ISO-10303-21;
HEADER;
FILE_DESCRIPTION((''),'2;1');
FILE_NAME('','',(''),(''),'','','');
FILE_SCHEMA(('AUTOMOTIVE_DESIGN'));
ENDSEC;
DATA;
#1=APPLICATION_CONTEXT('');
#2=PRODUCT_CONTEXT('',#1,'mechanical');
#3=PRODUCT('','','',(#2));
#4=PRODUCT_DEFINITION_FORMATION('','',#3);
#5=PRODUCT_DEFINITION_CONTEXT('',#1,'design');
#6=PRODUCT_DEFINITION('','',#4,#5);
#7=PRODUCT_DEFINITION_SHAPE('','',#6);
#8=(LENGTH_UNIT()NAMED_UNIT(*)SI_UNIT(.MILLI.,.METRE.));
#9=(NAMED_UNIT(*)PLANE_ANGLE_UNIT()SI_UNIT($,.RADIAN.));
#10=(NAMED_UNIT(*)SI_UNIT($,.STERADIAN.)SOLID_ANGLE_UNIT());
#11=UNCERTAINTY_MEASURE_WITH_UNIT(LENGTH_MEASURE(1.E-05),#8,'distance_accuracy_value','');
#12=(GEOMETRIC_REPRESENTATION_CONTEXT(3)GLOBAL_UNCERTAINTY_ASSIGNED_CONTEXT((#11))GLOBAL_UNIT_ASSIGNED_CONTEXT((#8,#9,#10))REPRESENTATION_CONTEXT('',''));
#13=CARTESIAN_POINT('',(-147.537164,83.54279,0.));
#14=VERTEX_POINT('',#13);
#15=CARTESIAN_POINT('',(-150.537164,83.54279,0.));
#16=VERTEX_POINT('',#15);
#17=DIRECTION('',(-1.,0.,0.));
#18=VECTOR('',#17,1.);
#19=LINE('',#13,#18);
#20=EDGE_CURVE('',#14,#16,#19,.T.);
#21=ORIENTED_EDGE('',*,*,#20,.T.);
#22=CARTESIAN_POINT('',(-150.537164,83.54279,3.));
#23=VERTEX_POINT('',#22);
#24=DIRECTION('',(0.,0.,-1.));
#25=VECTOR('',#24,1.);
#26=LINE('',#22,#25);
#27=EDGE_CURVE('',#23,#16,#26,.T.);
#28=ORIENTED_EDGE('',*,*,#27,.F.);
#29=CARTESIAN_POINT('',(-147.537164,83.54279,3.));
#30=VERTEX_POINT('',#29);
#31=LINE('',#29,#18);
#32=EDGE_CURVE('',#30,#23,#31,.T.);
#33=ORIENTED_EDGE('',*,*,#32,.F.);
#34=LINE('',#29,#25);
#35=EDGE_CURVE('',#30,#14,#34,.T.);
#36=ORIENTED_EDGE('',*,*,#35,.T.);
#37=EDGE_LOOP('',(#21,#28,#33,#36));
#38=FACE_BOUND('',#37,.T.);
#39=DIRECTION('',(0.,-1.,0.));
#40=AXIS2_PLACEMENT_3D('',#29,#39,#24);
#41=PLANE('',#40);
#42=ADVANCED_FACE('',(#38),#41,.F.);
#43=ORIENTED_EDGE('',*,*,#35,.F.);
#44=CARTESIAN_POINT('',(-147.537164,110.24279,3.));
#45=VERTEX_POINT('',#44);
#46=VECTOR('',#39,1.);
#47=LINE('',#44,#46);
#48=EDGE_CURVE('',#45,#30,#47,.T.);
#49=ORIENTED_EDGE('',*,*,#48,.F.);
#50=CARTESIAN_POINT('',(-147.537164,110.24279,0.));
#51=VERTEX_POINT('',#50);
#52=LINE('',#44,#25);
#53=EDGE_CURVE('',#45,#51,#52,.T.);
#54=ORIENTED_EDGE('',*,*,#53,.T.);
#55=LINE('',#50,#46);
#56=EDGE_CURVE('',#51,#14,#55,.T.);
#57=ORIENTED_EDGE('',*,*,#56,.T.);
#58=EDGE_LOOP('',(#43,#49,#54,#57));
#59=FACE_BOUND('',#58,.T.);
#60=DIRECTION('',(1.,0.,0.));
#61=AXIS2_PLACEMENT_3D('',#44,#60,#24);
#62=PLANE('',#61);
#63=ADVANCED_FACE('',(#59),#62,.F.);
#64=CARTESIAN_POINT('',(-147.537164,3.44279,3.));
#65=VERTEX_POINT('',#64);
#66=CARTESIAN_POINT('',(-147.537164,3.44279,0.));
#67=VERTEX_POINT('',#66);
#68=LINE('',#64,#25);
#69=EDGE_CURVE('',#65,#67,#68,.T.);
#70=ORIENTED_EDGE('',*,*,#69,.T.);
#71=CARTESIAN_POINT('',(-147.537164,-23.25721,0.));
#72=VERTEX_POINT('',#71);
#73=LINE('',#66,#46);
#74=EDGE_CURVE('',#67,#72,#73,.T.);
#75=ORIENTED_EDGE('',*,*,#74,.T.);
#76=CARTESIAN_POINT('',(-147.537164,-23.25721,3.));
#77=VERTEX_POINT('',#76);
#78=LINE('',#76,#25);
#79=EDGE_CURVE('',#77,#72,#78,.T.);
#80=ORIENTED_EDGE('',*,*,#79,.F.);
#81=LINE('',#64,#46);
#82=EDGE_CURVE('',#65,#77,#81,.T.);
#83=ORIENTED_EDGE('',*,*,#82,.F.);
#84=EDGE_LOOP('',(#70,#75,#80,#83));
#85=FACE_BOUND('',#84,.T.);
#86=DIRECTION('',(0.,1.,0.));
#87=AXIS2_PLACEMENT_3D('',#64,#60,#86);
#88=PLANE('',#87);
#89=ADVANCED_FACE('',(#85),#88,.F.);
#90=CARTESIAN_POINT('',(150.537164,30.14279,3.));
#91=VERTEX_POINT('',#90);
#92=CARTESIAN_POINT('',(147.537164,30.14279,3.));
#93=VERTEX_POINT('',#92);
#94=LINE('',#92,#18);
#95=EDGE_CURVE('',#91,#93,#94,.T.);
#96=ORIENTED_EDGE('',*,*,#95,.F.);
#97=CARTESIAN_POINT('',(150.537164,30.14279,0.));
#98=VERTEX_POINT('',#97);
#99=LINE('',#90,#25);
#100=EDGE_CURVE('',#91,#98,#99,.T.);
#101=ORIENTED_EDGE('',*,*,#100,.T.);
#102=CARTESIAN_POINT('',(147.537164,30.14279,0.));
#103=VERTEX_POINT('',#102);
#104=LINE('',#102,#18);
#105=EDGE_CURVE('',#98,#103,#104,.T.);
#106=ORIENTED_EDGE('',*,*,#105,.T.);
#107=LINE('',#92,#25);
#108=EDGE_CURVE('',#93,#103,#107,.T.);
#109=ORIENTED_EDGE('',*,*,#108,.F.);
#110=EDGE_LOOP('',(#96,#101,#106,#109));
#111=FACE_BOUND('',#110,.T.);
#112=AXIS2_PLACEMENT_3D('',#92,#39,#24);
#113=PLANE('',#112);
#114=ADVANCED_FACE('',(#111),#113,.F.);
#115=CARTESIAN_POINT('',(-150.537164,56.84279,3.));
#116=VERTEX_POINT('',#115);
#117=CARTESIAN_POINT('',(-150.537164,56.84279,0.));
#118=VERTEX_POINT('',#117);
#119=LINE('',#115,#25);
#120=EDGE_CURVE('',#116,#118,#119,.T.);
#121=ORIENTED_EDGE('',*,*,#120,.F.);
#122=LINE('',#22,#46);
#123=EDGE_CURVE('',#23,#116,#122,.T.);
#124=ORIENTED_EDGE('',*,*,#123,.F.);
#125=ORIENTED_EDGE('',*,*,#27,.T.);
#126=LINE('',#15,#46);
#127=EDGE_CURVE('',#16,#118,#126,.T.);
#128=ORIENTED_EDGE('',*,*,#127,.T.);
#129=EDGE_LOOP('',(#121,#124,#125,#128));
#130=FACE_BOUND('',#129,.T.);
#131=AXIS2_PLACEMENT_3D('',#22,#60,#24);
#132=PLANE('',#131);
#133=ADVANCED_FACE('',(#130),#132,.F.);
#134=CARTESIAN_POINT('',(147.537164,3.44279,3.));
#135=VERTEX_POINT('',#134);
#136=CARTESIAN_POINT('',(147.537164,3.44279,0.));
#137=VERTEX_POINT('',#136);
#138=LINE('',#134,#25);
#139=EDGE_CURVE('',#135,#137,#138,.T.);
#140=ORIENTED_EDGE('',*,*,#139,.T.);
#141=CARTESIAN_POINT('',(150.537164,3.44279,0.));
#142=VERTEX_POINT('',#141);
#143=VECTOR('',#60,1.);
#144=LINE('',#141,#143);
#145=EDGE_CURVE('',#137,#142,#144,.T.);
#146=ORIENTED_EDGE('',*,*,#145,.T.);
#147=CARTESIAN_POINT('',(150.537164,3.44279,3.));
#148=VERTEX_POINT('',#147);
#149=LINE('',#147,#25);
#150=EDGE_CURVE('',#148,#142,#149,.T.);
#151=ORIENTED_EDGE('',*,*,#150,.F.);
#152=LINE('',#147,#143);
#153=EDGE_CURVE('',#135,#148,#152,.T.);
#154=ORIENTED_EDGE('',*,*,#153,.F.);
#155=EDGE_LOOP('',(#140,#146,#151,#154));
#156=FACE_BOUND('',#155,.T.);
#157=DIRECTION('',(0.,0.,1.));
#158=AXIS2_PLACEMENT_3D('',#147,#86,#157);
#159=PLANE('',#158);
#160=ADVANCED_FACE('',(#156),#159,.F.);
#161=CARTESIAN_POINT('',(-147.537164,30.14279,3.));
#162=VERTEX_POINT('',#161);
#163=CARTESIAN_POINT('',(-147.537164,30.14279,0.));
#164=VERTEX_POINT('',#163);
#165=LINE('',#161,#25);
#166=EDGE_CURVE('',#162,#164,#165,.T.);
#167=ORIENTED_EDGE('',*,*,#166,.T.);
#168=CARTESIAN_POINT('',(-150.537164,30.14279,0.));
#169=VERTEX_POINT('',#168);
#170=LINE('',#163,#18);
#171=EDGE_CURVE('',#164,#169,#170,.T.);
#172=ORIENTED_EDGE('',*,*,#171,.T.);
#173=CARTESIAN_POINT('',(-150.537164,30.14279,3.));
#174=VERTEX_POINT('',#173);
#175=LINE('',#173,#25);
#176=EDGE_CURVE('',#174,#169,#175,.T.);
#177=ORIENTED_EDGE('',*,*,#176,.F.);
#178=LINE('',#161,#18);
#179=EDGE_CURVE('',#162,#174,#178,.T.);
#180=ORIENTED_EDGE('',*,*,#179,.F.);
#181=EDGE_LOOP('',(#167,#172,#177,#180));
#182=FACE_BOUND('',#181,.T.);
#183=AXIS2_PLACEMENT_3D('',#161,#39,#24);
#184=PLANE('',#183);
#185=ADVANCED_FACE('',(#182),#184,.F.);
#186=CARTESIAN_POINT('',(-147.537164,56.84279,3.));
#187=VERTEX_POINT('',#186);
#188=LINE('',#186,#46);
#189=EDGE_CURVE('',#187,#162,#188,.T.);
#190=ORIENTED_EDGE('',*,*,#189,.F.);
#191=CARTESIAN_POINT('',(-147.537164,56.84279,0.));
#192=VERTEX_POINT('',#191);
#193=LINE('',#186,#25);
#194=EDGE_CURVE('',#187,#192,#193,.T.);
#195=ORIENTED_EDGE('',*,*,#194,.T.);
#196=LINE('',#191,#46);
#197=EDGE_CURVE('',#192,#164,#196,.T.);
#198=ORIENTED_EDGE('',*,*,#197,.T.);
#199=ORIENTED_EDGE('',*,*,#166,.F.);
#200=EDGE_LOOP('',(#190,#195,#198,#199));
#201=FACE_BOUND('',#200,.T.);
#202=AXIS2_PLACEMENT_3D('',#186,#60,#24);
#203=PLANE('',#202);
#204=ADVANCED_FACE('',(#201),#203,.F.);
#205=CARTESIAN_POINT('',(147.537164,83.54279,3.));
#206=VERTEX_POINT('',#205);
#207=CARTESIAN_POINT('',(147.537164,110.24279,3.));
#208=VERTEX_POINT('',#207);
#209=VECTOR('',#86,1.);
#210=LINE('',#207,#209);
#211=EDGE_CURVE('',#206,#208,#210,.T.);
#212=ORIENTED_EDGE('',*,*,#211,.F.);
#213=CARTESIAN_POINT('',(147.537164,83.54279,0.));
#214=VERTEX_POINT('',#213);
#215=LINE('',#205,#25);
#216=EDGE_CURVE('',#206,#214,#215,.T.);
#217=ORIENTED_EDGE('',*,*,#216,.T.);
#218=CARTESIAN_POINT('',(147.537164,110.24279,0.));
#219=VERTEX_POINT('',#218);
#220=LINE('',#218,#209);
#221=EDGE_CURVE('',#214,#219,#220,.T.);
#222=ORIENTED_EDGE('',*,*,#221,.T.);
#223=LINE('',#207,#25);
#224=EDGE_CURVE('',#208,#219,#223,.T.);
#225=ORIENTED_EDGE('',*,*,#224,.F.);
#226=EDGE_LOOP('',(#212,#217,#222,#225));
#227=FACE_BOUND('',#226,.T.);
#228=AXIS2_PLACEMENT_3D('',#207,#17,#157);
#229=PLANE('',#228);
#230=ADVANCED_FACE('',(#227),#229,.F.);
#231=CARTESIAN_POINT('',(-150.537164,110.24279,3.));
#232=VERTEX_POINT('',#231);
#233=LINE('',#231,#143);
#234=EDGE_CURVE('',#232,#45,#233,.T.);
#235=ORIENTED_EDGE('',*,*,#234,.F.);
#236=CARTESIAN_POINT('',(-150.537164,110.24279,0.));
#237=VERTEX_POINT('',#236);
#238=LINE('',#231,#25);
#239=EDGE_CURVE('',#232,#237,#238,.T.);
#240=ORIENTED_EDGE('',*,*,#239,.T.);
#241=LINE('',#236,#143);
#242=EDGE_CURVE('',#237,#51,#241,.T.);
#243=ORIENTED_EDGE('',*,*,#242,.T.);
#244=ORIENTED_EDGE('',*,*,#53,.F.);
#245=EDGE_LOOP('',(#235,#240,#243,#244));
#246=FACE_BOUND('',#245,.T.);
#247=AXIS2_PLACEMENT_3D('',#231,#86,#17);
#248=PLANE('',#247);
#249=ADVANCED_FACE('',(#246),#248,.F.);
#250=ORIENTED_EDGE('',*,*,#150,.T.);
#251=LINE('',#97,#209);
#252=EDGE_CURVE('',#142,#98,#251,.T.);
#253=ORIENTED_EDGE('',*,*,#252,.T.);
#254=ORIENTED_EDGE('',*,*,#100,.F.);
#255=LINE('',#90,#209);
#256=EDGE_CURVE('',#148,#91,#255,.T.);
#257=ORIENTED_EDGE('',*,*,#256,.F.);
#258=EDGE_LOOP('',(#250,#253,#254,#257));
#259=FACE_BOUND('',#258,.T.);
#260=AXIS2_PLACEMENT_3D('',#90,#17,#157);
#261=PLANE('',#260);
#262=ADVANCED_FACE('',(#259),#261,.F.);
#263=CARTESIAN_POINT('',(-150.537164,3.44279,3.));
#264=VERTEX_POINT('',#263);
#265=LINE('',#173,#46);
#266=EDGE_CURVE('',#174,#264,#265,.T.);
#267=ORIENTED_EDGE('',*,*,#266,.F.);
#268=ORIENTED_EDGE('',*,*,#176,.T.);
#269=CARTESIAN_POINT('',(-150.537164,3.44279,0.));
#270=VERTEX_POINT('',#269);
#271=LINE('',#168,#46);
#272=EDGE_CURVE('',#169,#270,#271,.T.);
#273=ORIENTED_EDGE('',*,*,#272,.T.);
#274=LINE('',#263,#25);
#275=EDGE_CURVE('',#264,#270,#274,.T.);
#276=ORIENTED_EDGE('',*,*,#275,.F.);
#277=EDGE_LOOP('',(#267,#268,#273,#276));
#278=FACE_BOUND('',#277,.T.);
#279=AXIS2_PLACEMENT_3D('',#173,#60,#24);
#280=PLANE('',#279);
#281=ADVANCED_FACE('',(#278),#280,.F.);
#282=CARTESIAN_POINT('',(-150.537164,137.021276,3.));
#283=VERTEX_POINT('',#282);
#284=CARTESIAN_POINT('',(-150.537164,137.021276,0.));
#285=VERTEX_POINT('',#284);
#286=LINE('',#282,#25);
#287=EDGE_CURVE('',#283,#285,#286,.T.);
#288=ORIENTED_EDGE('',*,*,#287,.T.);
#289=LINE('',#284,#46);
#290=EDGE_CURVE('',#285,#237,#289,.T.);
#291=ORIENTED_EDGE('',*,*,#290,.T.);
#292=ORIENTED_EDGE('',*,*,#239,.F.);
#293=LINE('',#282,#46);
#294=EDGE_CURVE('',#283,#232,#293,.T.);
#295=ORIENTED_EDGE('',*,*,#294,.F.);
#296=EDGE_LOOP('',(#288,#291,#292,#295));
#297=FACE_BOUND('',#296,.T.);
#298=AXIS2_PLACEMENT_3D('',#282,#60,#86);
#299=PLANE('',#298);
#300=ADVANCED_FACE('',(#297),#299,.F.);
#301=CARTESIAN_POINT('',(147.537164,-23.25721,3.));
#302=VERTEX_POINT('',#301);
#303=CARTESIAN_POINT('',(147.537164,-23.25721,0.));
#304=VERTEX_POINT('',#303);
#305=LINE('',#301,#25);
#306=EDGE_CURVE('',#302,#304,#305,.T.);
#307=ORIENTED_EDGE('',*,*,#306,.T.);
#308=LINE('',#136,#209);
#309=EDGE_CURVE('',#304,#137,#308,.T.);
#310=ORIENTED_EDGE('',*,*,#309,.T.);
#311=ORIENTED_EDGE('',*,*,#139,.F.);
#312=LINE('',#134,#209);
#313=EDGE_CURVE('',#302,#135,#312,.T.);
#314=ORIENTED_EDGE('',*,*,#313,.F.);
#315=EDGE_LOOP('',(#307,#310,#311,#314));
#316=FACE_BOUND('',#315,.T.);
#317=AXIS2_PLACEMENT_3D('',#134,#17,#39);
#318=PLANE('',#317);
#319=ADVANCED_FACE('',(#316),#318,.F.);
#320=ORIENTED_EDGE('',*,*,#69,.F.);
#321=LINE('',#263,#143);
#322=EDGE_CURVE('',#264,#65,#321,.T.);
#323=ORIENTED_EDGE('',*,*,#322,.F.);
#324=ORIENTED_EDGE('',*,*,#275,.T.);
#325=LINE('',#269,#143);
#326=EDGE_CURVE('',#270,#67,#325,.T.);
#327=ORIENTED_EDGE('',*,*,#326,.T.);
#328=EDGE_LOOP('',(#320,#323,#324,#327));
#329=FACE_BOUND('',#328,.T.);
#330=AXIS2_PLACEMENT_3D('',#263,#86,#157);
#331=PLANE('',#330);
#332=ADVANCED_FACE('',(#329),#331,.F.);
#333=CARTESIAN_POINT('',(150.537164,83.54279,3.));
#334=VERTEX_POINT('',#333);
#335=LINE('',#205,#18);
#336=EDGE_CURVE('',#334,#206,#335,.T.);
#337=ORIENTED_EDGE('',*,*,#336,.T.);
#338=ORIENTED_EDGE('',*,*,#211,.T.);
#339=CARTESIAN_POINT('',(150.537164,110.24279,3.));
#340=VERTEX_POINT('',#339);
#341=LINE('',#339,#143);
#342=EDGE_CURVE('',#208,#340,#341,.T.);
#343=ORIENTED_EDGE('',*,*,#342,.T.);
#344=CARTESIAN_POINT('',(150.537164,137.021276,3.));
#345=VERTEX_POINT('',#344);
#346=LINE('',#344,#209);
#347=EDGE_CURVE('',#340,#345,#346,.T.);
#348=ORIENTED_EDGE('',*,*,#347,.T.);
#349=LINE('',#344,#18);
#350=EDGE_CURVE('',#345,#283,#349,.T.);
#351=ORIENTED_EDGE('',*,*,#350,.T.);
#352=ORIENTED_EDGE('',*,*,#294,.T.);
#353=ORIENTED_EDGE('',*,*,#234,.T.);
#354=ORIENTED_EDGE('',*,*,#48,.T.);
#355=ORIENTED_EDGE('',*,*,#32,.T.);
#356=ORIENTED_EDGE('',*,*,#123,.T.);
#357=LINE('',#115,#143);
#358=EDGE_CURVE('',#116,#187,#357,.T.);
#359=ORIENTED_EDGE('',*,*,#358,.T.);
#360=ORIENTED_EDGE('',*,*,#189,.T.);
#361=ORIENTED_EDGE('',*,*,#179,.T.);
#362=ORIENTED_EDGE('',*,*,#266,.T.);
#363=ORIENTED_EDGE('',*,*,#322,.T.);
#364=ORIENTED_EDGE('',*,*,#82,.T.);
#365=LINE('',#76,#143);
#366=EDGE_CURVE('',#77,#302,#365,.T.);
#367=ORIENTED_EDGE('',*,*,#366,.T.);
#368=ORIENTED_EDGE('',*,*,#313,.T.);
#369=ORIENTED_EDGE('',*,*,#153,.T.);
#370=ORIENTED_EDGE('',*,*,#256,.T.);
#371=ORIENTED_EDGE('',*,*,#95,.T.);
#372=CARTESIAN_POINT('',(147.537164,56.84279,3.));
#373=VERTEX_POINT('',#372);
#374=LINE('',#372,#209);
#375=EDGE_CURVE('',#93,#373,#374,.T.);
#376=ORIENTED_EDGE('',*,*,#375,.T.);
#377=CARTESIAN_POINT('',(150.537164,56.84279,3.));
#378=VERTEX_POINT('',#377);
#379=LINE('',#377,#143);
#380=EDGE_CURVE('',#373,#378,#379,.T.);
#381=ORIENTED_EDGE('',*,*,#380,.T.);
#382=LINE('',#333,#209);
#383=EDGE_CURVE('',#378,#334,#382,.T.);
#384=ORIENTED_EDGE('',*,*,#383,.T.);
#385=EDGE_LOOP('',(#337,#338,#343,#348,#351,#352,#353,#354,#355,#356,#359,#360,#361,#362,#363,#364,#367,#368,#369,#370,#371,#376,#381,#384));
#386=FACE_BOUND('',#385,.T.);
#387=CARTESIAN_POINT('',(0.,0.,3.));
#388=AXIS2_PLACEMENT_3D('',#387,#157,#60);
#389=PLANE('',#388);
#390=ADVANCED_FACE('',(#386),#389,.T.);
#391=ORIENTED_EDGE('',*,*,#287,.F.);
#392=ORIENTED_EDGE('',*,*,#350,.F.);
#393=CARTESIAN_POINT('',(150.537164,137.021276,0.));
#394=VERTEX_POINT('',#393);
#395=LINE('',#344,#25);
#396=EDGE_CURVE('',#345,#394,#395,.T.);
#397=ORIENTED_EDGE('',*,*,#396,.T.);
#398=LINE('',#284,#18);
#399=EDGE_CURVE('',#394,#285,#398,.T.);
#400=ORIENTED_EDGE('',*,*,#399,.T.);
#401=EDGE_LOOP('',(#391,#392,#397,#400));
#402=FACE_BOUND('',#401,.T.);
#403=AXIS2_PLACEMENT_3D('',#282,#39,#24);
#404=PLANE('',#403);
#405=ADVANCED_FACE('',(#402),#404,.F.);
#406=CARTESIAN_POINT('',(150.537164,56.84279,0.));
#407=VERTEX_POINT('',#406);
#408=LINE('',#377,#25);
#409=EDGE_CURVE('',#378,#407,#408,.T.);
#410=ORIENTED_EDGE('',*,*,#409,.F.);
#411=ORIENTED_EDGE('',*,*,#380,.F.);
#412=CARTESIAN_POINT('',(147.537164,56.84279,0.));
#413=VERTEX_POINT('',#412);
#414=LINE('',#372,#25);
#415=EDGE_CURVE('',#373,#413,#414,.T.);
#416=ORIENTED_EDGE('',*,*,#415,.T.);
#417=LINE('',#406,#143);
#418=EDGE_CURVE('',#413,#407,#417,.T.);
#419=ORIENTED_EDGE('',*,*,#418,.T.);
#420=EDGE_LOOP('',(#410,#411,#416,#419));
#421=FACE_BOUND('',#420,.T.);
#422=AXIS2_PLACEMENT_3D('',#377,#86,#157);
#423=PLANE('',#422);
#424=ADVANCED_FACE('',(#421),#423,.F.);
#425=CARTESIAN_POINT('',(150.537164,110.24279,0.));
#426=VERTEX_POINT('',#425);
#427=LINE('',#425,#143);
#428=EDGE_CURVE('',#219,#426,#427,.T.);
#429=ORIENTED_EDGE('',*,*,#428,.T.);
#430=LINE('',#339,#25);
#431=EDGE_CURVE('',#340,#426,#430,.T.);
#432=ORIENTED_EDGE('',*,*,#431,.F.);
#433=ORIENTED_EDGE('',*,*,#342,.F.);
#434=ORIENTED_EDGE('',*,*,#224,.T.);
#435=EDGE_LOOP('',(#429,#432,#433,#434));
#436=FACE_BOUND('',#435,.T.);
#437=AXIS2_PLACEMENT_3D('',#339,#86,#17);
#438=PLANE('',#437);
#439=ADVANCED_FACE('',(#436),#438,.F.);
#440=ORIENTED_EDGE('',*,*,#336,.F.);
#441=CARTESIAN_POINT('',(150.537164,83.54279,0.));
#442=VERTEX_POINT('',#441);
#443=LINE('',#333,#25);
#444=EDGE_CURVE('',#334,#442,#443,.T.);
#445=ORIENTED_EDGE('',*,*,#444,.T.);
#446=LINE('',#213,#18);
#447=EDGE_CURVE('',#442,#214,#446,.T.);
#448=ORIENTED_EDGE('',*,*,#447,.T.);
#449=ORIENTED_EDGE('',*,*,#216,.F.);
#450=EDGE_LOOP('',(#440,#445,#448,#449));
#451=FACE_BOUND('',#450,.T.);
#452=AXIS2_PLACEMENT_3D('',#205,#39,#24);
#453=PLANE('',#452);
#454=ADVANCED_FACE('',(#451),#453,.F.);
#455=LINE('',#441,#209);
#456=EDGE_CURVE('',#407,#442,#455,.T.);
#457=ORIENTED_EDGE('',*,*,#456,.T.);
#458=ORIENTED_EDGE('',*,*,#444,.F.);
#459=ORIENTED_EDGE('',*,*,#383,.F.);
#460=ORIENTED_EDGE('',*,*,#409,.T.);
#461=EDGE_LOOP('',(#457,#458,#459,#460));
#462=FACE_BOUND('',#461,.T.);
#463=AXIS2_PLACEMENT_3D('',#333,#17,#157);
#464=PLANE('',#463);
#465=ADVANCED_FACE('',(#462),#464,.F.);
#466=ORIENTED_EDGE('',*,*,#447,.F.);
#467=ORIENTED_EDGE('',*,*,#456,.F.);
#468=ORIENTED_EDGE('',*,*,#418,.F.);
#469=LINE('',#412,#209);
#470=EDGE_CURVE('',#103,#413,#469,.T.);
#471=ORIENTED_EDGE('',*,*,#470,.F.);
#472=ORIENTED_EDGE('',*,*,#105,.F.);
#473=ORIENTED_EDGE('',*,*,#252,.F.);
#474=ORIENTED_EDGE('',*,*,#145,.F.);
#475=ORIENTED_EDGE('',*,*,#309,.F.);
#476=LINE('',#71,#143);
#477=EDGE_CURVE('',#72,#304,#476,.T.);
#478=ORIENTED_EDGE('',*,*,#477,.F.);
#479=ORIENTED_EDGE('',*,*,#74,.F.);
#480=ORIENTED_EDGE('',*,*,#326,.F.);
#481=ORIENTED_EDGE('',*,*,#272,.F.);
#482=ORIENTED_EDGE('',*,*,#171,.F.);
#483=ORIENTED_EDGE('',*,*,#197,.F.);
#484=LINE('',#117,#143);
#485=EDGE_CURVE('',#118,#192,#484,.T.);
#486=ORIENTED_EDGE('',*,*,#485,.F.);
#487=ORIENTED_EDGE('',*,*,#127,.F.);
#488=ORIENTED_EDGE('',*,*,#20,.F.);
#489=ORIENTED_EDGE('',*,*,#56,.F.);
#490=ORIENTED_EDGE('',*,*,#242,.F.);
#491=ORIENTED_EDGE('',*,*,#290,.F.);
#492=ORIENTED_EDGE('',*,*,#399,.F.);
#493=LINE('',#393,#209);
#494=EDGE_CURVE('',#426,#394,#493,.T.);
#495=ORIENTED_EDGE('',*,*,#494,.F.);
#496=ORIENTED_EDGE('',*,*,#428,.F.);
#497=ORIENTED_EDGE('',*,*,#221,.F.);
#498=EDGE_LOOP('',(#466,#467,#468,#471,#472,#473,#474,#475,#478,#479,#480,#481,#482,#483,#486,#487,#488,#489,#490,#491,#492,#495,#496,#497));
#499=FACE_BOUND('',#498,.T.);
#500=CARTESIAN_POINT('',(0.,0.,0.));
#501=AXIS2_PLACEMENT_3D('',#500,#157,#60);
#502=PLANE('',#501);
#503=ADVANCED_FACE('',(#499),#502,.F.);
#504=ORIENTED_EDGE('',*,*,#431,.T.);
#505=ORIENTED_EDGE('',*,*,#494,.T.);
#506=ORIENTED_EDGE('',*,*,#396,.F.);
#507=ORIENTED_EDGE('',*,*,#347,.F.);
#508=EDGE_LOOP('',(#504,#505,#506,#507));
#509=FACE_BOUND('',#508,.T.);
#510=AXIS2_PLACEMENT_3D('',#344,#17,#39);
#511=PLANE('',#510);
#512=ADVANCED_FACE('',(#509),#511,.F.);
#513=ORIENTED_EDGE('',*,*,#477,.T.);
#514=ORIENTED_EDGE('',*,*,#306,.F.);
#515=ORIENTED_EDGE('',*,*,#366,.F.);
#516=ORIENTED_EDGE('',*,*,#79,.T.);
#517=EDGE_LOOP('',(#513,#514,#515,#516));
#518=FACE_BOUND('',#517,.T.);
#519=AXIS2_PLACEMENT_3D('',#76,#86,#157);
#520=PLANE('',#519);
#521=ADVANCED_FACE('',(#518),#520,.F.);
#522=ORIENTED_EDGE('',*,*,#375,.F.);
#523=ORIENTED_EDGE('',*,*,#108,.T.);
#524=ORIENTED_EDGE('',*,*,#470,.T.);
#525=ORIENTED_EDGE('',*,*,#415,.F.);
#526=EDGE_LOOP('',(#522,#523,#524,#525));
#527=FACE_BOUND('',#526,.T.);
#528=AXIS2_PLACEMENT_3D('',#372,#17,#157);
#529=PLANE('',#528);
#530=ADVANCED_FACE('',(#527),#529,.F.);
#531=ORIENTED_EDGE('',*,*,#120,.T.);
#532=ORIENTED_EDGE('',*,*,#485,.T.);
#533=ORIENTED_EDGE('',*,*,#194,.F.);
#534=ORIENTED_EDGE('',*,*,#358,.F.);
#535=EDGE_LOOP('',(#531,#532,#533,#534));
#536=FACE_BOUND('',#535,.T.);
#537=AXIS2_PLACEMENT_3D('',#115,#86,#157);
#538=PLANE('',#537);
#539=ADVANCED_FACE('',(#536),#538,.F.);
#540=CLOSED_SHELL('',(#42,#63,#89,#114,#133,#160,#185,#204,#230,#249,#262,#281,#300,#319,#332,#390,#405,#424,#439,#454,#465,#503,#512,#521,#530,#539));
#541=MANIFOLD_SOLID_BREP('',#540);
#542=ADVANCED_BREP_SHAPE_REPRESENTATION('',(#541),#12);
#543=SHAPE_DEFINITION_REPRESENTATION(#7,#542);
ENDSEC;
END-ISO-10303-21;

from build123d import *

# Parameters (mm, degrees)
BOSS_EXTRUDE2_DEPTH = 3


with BuildPart() as part:
    # Sketch2 → Boss-Extrude2 (new body)
    with BuildSketch(Plane.XY):
        Polygon((-147.537163877, -23.257209728), (147.537163877, -23.257209728), (147.537163877, 3.442790272), (150.537163877, 3.442790272), (150.537163877, 30.142790272), (147.537163877, 30.142790272), (147.537163877, 56.842790272), (150.537163877, 56.842790272), (150.537163877, 83.542790272), (147.537163877, 83.542790272), (147.537163877, 110.242790272), (150.537163877, 110.242790272), (150.537163877, 137.021276107), (147.537163877, 137.021276107), (-147.537163877, 137.021276107), (-150.537163877, 137.021276107), (-150.537163877, 110.242790272), (-147.537163877, 110.242790272), (-147.537163877, 83.542790272), (-150.537163877, 83.542790272), (-150.537163877, 56.842790272), (-147.537163877, 56.842790272), (-147.537163877, 30.142790272), (-150.537163877, 30.142790272), (-150.537163877, 3.442790272), (-147.537163877, 3.442790272), align=None)
    extrude(amount=BOSS_EXTRUDE2_DEPTH)


solid = part.part
